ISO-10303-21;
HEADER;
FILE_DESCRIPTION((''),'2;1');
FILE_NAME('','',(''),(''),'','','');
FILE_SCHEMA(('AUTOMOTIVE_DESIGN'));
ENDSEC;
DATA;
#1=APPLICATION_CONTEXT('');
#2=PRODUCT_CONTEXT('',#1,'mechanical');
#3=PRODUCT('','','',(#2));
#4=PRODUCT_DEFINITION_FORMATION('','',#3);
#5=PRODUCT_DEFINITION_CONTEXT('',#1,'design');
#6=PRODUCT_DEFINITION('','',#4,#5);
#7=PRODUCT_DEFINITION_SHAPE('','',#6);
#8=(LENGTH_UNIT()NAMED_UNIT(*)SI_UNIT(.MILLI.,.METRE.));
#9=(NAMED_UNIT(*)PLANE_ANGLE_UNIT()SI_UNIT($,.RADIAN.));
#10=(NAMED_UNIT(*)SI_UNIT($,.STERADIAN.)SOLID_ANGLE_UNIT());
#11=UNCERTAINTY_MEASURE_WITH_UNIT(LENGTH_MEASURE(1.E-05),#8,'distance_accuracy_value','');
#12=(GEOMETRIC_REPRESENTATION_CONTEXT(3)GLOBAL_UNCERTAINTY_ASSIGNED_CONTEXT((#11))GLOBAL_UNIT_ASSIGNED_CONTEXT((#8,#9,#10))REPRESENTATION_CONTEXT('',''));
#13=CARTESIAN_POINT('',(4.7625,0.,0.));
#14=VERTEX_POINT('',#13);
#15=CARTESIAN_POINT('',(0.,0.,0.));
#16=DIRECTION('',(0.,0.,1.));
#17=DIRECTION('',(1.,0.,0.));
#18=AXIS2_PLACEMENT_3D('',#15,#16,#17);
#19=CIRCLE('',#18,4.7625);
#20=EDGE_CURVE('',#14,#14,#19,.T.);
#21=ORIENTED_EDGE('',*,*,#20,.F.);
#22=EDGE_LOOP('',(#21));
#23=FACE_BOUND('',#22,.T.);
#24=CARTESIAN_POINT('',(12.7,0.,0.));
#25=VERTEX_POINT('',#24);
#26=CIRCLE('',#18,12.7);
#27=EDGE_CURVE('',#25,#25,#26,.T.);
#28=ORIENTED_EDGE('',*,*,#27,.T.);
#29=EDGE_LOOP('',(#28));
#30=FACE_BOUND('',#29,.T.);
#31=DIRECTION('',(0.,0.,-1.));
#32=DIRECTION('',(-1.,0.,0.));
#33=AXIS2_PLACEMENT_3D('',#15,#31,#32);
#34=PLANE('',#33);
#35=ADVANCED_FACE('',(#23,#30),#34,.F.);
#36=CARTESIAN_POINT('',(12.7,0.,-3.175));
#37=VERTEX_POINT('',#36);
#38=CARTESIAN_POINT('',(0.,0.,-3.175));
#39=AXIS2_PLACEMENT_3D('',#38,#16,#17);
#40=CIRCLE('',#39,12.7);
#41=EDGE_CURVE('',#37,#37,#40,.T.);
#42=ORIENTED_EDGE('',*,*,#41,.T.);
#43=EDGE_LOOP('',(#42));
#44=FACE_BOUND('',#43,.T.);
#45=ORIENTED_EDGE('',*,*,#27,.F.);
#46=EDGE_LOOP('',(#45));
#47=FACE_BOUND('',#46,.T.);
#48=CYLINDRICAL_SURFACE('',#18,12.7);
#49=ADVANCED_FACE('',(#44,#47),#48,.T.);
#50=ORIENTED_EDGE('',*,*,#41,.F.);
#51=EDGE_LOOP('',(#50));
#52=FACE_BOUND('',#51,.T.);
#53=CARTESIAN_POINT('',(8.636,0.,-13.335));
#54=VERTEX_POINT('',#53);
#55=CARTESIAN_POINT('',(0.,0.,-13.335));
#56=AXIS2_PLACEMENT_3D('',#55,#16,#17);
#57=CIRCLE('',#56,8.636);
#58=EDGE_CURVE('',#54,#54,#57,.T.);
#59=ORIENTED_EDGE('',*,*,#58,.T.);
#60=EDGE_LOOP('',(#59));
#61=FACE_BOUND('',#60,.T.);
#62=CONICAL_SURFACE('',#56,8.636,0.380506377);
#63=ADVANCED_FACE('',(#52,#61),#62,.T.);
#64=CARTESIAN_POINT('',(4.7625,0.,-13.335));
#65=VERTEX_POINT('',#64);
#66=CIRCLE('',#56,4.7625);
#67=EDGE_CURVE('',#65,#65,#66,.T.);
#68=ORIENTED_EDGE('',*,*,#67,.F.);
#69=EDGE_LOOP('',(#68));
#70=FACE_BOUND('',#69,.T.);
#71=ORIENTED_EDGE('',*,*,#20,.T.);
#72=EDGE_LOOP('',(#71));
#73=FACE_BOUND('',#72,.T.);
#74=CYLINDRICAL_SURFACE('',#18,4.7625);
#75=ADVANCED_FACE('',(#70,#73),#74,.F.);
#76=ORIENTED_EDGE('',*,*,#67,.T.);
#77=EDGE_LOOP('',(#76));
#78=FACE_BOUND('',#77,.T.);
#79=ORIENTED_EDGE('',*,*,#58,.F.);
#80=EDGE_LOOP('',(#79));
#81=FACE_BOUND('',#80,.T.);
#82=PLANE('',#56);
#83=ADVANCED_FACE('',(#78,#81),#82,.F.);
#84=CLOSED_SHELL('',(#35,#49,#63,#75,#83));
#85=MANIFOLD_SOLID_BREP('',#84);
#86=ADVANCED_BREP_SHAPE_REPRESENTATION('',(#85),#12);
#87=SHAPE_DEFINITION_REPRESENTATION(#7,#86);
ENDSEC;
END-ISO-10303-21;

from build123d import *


with BuildPart() as part:
    # Sketch1 → Revolve1 (revolve)
    with BuildSketch(Plane(origin=(0, 0, 0), x_dir=(1, 0, 0), z_dir=(0, 1, 0))):
        Polygon((12.7, 0), (4.7625, 0), (4.7625, 13.335), (8.636, 13.335), (12.7, 3.175), align=None)
    revolve(axis=Axis((0, 0, 0), (0, 0, -1)))


solid = part.part
